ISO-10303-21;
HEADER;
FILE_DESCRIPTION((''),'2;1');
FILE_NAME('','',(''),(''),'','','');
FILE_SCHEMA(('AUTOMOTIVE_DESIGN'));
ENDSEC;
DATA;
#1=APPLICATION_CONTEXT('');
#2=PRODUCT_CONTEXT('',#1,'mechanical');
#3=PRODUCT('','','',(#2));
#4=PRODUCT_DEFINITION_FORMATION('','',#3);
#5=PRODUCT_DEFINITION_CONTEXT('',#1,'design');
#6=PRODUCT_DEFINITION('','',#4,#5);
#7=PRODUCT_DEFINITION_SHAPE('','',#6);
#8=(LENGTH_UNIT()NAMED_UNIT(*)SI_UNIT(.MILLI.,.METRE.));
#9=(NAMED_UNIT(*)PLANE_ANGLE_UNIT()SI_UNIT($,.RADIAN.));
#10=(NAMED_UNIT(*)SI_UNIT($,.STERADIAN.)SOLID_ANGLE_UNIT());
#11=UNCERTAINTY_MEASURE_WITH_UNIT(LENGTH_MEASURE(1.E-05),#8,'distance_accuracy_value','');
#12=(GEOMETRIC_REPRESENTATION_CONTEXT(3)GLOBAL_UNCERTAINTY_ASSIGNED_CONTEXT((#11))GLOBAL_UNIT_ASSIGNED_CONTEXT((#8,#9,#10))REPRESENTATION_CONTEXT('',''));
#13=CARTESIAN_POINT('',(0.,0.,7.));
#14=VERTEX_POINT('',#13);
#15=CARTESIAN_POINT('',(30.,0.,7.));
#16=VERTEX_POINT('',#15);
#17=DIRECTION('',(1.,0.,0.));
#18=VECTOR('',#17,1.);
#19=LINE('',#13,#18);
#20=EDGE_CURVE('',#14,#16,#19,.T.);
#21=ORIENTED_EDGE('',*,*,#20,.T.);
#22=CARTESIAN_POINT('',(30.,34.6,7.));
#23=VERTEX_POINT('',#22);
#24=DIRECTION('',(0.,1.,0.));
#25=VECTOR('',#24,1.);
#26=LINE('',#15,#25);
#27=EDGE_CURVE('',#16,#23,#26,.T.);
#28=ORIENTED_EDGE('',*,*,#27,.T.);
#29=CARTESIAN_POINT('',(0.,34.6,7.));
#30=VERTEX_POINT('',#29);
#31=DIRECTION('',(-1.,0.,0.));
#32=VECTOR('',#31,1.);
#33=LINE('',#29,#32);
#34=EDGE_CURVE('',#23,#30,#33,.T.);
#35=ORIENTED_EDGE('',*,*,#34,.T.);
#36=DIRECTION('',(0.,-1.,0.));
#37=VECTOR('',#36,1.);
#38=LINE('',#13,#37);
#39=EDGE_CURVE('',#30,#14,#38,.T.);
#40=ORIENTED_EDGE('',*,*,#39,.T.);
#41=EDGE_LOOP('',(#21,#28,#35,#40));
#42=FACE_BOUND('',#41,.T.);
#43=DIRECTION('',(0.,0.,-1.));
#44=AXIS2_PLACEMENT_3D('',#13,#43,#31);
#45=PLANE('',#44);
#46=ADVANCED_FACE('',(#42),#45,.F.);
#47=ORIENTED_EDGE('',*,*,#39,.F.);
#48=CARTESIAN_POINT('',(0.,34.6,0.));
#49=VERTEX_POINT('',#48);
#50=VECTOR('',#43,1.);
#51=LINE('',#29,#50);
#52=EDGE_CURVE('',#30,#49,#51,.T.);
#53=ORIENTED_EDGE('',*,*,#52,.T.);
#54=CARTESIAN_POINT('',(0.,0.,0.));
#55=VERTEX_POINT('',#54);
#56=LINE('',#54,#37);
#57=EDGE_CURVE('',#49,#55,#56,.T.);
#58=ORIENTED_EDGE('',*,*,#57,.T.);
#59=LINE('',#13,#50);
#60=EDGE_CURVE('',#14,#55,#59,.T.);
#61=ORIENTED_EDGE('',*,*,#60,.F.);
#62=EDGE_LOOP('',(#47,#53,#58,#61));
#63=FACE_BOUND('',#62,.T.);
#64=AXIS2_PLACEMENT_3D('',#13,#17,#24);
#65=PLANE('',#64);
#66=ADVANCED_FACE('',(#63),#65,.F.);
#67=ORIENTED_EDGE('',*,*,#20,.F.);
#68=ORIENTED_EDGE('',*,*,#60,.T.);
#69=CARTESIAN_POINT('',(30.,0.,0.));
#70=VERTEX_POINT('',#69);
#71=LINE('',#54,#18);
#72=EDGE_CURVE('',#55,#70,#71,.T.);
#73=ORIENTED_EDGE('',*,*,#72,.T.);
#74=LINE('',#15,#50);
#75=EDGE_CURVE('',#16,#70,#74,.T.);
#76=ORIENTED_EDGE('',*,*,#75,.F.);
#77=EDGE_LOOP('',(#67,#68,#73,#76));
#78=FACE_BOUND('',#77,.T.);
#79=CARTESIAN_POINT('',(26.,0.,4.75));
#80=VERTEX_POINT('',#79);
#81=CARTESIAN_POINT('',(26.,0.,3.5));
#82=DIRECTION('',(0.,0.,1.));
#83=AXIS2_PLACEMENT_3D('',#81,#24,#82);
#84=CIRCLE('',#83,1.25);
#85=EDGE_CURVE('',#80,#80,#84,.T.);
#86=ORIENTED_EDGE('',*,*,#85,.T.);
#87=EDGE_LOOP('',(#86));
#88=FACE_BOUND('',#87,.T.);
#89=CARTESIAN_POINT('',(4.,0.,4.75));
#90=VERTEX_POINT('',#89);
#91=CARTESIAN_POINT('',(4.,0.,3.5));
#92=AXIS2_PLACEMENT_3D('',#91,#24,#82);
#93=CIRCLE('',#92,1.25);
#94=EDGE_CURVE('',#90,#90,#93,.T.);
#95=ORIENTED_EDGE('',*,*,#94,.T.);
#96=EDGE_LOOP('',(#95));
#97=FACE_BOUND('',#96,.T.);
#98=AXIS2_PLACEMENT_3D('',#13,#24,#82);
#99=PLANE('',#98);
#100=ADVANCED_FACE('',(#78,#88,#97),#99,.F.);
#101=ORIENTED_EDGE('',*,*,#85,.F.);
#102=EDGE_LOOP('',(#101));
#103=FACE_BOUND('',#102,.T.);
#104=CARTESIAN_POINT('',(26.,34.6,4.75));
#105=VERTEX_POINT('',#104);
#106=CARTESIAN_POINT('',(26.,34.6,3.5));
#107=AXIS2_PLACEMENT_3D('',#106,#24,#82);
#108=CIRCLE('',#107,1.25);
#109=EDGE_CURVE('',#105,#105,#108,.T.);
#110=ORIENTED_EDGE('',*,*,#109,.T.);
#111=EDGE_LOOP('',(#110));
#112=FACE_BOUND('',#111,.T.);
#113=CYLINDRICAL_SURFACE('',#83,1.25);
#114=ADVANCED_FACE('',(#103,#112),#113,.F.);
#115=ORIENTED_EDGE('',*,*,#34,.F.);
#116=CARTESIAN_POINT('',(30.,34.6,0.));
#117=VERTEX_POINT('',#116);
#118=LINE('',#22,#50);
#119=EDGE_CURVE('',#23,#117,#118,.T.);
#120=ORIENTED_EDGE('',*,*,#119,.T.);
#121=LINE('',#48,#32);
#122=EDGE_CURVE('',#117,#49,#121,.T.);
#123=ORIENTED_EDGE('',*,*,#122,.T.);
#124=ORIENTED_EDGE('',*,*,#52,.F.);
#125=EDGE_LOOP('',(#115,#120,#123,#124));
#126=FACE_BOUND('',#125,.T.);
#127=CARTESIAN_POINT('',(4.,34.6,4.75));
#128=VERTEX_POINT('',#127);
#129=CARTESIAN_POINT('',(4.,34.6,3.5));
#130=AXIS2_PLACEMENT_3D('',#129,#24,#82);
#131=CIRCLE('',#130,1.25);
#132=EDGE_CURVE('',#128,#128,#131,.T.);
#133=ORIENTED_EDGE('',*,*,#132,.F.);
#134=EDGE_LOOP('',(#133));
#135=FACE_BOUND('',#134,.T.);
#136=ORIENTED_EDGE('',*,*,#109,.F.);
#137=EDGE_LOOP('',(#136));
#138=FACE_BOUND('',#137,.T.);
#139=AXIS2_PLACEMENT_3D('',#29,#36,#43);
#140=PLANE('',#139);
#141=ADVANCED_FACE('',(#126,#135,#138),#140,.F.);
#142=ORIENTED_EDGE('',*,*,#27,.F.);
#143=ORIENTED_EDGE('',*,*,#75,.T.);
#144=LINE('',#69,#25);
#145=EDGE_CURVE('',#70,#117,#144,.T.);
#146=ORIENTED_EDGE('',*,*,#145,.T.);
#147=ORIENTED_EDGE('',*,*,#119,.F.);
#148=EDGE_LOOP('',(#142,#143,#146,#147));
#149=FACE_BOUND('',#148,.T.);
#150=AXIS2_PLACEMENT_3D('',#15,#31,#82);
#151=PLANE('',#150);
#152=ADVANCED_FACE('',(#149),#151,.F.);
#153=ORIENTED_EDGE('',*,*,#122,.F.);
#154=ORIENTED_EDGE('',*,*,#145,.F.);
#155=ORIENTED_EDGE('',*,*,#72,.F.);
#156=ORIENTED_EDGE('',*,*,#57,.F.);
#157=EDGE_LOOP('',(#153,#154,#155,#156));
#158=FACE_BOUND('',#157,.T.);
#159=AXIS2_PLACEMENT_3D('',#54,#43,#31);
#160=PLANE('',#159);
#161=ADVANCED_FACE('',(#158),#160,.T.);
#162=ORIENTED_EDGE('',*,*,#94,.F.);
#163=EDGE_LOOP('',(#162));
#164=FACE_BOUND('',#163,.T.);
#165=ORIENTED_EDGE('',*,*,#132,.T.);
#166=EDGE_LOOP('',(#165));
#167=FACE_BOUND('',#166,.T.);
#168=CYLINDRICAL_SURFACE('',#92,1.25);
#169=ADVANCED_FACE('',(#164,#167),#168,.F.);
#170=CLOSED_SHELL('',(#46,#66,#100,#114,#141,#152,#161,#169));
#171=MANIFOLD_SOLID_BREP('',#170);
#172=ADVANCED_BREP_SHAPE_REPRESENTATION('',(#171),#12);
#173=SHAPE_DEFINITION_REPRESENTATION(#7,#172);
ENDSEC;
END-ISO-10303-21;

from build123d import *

# Parameters (mm, degrees)
SKETCH_1_W          = 30
SKETCH_1_H          = 34.6
EXTRUDE_1_DEPTH     = 7
SKETCH_2_R          = 1.25
CUT_EXTRUDE_1_DEPTH = 47.326666187


with BuildPart() as part:
    # Эскиз1 → Бобышка-Вытянуть1 (new body)
    with BuildSketch(Plane.XY):
        with Locations((15, 17.3)):
            Rectangle(SKETCH_1_W, SKETCH_1_H)
    extrude(amount=EXTRUDE_1_DEPTH)

    # Эскиз2 → Вырез-Вытянуть1 (cut, through all)
    with BuildSketch(Plane(origin=(0, 34.6, 0), x_dir=(1, 0, 0), z_dir=(0, 1, 0))):
        with Locations(Location((4, -3.5, 0), (0, 0, 270))):
            Circle(SKETCH_2_R)
        with Locations(Location((26, -3.5, 0), (0, 0, 270))):
            Circle(SKETCH_2_R)
    extrude(amount=-CUT_EXTRUDE_1_DEPTH, mode=Mode.SUBTRACT)


solid = part.part
